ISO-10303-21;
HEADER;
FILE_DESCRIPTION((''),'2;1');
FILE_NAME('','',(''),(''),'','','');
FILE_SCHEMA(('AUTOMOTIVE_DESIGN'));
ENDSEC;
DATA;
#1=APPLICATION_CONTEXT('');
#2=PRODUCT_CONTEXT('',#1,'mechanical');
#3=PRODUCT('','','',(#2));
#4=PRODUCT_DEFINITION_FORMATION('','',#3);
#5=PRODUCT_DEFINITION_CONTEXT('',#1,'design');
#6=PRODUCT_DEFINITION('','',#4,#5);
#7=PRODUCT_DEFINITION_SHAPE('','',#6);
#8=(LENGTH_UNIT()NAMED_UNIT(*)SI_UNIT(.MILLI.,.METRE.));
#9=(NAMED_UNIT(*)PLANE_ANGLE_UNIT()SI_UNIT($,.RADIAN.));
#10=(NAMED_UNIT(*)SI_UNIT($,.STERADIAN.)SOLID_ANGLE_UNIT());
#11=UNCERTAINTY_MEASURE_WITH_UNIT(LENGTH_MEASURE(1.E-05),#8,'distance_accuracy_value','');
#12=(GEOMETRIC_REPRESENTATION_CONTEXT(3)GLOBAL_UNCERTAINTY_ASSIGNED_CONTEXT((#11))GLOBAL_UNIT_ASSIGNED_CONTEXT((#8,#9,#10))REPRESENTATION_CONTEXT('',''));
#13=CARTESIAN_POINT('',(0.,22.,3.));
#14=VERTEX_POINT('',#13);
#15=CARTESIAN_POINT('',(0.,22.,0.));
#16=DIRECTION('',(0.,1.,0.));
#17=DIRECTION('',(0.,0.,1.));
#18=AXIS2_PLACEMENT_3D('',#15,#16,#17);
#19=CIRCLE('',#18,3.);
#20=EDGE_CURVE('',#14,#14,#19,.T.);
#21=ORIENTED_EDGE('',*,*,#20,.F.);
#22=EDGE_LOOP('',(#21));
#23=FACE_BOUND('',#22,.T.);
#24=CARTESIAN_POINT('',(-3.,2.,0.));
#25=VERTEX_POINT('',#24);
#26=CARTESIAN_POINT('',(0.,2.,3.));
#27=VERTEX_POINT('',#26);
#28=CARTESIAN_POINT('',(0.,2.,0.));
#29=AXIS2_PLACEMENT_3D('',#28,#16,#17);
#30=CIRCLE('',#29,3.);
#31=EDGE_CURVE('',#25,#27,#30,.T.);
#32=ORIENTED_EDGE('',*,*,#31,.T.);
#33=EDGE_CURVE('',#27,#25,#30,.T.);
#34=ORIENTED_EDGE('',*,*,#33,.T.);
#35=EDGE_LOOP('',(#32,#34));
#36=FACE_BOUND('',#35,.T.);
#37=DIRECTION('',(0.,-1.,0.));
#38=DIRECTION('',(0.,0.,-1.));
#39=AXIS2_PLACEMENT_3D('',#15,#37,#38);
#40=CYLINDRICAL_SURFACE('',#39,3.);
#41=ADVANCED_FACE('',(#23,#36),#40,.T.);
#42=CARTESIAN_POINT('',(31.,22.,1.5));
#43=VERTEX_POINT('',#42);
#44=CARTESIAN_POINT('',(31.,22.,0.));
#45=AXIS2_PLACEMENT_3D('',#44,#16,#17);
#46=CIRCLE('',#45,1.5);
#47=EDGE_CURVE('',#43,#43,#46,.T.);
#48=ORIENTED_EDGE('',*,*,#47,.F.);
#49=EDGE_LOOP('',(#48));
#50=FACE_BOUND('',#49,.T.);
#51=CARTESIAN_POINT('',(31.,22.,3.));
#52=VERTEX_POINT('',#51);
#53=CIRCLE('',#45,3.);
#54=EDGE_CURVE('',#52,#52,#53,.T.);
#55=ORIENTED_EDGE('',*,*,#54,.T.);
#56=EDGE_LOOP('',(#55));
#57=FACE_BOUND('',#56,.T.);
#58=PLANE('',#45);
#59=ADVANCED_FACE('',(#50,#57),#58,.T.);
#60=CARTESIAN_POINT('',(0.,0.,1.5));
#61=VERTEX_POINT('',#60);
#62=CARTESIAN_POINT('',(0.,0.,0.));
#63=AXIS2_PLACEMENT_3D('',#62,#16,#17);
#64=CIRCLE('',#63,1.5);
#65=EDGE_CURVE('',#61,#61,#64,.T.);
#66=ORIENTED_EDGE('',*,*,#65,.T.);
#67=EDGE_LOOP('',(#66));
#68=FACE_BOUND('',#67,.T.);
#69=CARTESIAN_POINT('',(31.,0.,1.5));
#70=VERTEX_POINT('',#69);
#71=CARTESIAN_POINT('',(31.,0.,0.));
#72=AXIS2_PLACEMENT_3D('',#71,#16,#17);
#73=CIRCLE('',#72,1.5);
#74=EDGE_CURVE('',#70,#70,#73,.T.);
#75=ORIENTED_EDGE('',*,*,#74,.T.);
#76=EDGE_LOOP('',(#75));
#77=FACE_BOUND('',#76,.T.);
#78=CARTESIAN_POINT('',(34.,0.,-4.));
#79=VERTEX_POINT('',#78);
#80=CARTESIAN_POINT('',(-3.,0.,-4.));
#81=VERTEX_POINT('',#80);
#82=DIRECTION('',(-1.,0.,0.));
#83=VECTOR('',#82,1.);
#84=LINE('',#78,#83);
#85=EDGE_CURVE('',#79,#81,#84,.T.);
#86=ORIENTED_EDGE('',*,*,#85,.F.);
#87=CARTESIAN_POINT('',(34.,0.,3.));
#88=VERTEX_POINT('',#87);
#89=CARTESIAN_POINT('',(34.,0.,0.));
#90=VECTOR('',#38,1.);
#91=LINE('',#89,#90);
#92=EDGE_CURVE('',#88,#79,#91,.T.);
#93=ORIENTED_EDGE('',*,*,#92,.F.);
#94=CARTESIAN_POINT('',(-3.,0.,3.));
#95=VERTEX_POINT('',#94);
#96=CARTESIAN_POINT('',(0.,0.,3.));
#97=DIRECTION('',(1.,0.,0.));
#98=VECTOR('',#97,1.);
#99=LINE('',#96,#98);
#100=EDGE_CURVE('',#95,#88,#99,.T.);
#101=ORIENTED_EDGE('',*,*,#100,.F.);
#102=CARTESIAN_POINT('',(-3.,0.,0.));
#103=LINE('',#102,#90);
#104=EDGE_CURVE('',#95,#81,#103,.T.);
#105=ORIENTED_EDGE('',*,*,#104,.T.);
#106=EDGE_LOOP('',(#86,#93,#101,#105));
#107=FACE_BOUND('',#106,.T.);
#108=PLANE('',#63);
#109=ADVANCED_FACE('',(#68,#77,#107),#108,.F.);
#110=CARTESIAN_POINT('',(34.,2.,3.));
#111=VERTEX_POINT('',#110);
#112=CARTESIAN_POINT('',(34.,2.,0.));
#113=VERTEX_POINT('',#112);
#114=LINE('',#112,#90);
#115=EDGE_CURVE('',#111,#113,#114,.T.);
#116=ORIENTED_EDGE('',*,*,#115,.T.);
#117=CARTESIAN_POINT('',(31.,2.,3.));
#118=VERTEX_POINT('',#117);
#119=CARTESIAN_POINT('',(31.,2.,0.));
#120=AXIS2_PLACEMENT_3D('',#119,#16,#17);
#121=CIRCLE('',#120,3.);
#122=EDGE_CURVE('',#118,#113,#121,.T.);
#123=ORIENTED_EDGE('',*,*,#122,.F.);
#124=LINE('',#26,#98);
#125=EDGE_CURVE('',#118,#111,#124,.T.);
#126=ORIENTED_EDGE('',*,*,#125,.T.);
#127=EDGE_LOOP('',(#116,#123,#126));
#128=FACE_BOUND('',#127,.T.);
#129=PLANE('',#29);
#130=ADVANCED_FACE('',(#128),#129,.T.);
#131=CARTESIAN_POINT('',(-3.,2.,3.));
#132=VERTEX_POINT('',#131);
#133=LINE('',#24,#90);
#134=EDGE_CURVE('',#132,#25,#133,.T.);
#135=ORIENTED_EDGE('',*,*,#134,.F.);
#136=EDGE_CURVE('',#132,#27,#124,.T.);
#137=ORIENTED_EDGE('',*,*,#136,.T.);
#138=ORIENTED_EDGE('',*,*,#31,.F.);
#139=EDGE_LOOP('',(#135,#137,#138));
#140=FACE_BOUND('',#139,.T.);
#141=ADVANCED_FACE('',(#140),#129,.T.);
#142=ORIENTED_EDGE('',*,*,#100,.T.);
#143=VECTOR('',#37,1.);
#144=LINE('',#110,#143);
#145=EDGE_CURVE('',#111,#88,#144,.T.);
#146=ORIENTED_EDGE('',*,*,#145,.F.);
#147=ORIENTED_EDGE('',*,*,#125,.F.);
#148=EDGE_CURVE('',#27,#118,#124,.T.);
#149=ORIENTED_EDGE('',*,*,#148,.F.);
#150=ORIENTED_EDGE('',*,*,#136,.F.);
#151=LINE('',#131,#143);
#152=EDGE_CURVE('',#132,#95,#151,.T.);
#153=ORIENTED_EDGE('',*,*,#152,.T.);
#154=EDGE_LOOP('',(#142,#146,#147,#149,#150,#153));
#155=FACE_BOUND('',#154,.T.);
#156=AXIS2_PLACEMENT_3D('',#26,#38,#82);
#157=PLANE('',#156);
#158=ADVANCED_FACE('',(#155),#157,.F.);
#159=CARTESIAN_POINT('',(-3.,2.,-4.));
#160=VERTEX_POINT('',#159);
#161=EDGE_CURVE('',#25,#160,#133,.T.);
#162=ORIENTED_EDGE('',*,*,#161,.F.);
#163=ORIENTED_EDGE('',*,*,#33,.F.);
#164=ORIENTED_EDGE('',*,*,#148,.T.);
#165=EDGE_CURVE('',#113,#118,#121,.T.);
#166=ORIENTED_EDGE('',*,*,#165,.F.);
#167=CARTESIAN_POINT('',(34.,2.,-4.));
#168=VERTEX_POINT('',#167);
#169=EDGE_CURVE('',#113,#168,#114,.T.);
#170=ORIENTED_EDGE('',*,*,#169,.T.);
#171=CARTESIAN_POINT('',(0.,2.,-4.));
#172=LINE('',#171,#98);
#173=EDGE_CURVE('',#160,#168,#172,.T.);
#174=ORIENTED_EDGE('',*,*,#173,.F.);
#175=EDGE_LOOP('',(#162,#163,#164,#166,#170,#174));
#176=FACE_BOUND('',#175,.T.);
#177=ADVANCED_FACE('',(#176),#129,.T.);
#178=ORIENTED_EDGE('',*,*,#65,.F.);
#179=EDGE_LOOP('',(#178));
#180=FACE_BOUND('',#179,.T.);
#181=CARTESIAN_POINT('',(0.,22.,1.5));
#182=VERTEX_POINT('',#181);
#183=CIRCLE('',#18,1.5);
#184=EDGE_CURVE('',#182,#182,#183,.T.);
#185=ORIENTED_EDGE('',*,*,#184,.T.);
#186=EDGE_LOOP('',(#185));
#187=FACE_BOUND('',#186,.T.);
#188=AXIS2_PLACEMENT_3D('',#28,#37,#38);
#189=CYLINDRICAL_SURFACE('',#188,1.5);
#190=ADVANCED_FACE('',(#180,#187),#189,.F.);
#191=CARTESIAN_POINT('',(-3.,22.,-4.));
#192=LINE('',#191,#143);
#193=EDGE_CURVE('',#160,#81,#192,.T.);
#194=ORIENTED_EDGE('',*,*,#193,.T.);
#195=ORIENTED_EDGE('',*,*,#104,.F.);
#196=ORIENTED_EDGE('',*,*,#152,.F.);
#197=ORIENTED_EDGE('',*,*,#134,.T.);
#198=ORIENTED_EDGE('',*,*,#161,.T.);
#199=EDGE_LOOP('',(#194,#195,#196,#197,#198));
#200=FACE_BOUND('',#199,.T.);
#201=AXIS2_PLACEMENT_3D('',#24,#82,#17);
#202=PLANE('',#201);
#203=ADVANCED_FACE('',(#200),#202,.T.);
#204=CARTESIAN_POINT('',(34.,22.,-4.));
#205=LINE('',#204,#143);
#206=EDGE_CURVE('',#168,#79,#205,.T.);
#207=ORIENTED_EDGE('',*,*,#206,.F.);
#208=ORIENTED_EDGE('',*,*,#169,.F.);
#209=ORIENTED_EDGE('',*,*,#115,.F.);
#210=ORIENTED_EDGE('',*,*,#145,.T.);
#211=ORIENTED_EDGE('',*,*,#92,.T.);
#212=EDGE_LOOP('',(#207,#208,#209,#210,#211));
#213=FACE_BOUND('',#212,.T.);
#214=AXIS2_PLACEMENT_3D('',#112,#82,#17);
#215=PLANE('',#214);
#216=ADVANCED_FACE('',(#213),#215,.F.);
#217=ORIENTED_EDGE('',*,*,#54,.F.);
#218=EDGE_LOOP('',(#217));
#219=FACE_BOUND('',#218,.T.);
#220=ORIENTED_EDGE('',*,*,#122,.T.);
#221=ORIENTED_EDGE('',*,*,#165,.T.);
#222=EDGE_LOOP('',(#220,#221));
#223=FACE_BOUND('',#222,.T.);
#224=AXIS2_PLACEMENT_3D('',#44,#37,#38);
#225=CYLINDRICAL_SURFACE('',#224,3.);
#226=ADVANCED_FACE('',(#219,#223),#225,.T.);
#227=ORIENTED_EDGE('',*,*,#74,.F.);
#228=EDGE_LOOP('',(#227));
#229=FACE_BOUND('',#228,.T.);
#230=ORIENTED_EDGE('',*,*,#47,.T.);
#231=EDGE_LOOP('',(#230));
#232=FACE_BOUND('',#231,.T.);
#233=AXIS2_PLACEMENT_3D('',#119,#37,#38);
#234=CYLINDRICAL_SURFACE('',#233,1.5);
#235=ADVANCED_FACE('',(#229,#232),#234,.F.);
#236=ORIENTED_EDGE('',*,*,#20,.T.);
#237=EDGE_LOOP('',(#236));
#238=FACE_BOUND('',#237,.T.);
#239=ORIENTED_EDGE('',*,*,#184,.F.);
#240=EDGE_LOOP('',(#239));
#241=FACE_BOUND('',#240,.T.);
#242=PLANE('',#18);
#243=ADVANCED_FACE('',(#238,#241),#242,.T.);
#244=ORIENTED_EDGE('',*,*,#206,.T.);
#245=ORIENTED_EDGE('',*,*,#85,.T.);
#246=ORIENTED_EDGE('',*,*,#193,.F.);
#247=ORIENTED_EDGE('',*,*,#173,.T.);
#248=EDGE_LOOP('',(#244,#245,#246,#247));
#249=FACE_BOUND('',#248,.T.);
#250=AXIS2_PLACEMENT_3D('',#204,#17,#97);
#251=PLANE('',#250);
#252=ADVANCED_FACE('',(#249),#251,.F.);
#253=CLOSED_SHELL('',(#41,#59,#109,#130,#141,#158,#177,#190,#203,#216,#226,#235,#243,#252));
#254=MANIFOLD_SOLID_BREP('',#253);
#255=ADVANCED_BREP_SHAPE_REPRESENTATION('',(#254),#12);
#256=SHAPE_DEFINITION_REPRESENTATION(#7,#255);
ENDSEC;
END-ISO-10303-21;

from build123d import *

# Parameters (mm, degrees)
SKETCH1_W           = 37
SKETCH1_H           = 31
SKETCH1_R           = 1.5
BOSS_EXTRUDE1_DEPTH = 2
SKETCH2_R           = 3
SKETCH2_R_2         = 1.5
BOSS_EXTRUDE2_DEPTH = 20
SKETCH3_W           = 37
SKETCH3_H           = 24
CUT_EXTRUDE1_DEPTH  = 50.2341345


with BuildPart() as part:
    # Sketch1 → Boss-Extrude1 (new body)
    with BuildSketch(Plane(origin=(0, 0, 0), x_dir=(1, 0, 0), z_dir=(0, 1, 0))):
        with Locations((15.5, 12.5)):
            Rectangle(SKETCH1_W, SKETCH1_H)
        with Locations(Location((0, 25, 0), (0, 0, 270))):
            Circle(SKETCH1_R, mode=Mode.SUBTRACT)
        with Locations(Location((31, 25, 0), (0, 0, 270))):
            Circle(SKETCH1_R, mode=Mode.SUBTRACT)
        with Locations(Location((31, 0, 0), (0, 0, 270))):
            Circle(SKETCH1_R, mode=Mode.SUBTRACT)
        with Locations(Location((0, 0, 0), (0, 0, 270))):
            Circle(SKETCH1_R, mode=Mode.SUBTRACT)
    extrude(amount=BOSS_EXTRUDE1_DEPTH)

    # Sketch2 → Boss-Extrude2 (add)
    # profile 1 of 4: a face of its own
    with BuildSketch(Plane(origin=(0, 2, 0), x_dir=(1, 0, 0), z_dir=(0, 1, 0))):
        with Locations(Location((0, 25, 0), (0, 0, 90))):
            Circle(SKETCH2_R)
        with Locations(Location((0, 25, 0), (0, 0, 270))):
            Circle(SKETCH2_R_2, mode=Mode.SUBTRACT)
    # profile 2 of 4: a face of its own
    with BuildSketch(Plane(origin=(0, 2, 0), x_dir=(1, 0, 0), z_dir=(0, 1, 0))):
        with Locations(Location((31, 25, 0), (0, 0, 90))):
            Circle(SKETCH2_R)
        with Locations(Location((31, 25, 0), (0, 0, 270))):
            Circle(SKETCH2_R_2, mode=Mode.SUBTRACT)
    # profile 3 of 4: a face of its own
    with BuildSketch(Plane(origin=(0, 2, 0), x_dir=(1, 0, 0), z_dir=(0, 1, 0))):
        with Locations(Location((31, 0, 0), (0, 0, 270))):
            Circle(SKETCH2_R)
        with Locations(Location((31, 0, 0), (0, 0, 270))):
            Circle(SKETCH2_R_2, mode=Mode.SUBTRACT)
    # profile 4 of 4: a face of its own
    with BuildSketch(Plane(origin=(0, 2, 0), x_dir=(1, 0, 0), z_dir=(0, 1, 0))):
        with Locations(Location((0, 0, 0), (0, 0, 270))):
            Circle(SKETCH2_R)
        with Locations(Location((0, 0, 0), (0, 0, 270))):
            Circle(SKETCH2_R_2, mode=Mode.SUBTRACT)
    extrude(amount=BOSS_EXTRUDE2_DEPTH)

    # Sketch3 → Cut-Extrude1 (cut, through all)
    with BuildSketch(Plane.XZ):
        with Locations((15.5, -16)):
            Rectangle(SKETCH3_W, SKETCH3_H)
    extrude(amount=-CUT_EXTRUDE1_DEPTH, mode=Mode.SUBTRACT)


solid = part.part
